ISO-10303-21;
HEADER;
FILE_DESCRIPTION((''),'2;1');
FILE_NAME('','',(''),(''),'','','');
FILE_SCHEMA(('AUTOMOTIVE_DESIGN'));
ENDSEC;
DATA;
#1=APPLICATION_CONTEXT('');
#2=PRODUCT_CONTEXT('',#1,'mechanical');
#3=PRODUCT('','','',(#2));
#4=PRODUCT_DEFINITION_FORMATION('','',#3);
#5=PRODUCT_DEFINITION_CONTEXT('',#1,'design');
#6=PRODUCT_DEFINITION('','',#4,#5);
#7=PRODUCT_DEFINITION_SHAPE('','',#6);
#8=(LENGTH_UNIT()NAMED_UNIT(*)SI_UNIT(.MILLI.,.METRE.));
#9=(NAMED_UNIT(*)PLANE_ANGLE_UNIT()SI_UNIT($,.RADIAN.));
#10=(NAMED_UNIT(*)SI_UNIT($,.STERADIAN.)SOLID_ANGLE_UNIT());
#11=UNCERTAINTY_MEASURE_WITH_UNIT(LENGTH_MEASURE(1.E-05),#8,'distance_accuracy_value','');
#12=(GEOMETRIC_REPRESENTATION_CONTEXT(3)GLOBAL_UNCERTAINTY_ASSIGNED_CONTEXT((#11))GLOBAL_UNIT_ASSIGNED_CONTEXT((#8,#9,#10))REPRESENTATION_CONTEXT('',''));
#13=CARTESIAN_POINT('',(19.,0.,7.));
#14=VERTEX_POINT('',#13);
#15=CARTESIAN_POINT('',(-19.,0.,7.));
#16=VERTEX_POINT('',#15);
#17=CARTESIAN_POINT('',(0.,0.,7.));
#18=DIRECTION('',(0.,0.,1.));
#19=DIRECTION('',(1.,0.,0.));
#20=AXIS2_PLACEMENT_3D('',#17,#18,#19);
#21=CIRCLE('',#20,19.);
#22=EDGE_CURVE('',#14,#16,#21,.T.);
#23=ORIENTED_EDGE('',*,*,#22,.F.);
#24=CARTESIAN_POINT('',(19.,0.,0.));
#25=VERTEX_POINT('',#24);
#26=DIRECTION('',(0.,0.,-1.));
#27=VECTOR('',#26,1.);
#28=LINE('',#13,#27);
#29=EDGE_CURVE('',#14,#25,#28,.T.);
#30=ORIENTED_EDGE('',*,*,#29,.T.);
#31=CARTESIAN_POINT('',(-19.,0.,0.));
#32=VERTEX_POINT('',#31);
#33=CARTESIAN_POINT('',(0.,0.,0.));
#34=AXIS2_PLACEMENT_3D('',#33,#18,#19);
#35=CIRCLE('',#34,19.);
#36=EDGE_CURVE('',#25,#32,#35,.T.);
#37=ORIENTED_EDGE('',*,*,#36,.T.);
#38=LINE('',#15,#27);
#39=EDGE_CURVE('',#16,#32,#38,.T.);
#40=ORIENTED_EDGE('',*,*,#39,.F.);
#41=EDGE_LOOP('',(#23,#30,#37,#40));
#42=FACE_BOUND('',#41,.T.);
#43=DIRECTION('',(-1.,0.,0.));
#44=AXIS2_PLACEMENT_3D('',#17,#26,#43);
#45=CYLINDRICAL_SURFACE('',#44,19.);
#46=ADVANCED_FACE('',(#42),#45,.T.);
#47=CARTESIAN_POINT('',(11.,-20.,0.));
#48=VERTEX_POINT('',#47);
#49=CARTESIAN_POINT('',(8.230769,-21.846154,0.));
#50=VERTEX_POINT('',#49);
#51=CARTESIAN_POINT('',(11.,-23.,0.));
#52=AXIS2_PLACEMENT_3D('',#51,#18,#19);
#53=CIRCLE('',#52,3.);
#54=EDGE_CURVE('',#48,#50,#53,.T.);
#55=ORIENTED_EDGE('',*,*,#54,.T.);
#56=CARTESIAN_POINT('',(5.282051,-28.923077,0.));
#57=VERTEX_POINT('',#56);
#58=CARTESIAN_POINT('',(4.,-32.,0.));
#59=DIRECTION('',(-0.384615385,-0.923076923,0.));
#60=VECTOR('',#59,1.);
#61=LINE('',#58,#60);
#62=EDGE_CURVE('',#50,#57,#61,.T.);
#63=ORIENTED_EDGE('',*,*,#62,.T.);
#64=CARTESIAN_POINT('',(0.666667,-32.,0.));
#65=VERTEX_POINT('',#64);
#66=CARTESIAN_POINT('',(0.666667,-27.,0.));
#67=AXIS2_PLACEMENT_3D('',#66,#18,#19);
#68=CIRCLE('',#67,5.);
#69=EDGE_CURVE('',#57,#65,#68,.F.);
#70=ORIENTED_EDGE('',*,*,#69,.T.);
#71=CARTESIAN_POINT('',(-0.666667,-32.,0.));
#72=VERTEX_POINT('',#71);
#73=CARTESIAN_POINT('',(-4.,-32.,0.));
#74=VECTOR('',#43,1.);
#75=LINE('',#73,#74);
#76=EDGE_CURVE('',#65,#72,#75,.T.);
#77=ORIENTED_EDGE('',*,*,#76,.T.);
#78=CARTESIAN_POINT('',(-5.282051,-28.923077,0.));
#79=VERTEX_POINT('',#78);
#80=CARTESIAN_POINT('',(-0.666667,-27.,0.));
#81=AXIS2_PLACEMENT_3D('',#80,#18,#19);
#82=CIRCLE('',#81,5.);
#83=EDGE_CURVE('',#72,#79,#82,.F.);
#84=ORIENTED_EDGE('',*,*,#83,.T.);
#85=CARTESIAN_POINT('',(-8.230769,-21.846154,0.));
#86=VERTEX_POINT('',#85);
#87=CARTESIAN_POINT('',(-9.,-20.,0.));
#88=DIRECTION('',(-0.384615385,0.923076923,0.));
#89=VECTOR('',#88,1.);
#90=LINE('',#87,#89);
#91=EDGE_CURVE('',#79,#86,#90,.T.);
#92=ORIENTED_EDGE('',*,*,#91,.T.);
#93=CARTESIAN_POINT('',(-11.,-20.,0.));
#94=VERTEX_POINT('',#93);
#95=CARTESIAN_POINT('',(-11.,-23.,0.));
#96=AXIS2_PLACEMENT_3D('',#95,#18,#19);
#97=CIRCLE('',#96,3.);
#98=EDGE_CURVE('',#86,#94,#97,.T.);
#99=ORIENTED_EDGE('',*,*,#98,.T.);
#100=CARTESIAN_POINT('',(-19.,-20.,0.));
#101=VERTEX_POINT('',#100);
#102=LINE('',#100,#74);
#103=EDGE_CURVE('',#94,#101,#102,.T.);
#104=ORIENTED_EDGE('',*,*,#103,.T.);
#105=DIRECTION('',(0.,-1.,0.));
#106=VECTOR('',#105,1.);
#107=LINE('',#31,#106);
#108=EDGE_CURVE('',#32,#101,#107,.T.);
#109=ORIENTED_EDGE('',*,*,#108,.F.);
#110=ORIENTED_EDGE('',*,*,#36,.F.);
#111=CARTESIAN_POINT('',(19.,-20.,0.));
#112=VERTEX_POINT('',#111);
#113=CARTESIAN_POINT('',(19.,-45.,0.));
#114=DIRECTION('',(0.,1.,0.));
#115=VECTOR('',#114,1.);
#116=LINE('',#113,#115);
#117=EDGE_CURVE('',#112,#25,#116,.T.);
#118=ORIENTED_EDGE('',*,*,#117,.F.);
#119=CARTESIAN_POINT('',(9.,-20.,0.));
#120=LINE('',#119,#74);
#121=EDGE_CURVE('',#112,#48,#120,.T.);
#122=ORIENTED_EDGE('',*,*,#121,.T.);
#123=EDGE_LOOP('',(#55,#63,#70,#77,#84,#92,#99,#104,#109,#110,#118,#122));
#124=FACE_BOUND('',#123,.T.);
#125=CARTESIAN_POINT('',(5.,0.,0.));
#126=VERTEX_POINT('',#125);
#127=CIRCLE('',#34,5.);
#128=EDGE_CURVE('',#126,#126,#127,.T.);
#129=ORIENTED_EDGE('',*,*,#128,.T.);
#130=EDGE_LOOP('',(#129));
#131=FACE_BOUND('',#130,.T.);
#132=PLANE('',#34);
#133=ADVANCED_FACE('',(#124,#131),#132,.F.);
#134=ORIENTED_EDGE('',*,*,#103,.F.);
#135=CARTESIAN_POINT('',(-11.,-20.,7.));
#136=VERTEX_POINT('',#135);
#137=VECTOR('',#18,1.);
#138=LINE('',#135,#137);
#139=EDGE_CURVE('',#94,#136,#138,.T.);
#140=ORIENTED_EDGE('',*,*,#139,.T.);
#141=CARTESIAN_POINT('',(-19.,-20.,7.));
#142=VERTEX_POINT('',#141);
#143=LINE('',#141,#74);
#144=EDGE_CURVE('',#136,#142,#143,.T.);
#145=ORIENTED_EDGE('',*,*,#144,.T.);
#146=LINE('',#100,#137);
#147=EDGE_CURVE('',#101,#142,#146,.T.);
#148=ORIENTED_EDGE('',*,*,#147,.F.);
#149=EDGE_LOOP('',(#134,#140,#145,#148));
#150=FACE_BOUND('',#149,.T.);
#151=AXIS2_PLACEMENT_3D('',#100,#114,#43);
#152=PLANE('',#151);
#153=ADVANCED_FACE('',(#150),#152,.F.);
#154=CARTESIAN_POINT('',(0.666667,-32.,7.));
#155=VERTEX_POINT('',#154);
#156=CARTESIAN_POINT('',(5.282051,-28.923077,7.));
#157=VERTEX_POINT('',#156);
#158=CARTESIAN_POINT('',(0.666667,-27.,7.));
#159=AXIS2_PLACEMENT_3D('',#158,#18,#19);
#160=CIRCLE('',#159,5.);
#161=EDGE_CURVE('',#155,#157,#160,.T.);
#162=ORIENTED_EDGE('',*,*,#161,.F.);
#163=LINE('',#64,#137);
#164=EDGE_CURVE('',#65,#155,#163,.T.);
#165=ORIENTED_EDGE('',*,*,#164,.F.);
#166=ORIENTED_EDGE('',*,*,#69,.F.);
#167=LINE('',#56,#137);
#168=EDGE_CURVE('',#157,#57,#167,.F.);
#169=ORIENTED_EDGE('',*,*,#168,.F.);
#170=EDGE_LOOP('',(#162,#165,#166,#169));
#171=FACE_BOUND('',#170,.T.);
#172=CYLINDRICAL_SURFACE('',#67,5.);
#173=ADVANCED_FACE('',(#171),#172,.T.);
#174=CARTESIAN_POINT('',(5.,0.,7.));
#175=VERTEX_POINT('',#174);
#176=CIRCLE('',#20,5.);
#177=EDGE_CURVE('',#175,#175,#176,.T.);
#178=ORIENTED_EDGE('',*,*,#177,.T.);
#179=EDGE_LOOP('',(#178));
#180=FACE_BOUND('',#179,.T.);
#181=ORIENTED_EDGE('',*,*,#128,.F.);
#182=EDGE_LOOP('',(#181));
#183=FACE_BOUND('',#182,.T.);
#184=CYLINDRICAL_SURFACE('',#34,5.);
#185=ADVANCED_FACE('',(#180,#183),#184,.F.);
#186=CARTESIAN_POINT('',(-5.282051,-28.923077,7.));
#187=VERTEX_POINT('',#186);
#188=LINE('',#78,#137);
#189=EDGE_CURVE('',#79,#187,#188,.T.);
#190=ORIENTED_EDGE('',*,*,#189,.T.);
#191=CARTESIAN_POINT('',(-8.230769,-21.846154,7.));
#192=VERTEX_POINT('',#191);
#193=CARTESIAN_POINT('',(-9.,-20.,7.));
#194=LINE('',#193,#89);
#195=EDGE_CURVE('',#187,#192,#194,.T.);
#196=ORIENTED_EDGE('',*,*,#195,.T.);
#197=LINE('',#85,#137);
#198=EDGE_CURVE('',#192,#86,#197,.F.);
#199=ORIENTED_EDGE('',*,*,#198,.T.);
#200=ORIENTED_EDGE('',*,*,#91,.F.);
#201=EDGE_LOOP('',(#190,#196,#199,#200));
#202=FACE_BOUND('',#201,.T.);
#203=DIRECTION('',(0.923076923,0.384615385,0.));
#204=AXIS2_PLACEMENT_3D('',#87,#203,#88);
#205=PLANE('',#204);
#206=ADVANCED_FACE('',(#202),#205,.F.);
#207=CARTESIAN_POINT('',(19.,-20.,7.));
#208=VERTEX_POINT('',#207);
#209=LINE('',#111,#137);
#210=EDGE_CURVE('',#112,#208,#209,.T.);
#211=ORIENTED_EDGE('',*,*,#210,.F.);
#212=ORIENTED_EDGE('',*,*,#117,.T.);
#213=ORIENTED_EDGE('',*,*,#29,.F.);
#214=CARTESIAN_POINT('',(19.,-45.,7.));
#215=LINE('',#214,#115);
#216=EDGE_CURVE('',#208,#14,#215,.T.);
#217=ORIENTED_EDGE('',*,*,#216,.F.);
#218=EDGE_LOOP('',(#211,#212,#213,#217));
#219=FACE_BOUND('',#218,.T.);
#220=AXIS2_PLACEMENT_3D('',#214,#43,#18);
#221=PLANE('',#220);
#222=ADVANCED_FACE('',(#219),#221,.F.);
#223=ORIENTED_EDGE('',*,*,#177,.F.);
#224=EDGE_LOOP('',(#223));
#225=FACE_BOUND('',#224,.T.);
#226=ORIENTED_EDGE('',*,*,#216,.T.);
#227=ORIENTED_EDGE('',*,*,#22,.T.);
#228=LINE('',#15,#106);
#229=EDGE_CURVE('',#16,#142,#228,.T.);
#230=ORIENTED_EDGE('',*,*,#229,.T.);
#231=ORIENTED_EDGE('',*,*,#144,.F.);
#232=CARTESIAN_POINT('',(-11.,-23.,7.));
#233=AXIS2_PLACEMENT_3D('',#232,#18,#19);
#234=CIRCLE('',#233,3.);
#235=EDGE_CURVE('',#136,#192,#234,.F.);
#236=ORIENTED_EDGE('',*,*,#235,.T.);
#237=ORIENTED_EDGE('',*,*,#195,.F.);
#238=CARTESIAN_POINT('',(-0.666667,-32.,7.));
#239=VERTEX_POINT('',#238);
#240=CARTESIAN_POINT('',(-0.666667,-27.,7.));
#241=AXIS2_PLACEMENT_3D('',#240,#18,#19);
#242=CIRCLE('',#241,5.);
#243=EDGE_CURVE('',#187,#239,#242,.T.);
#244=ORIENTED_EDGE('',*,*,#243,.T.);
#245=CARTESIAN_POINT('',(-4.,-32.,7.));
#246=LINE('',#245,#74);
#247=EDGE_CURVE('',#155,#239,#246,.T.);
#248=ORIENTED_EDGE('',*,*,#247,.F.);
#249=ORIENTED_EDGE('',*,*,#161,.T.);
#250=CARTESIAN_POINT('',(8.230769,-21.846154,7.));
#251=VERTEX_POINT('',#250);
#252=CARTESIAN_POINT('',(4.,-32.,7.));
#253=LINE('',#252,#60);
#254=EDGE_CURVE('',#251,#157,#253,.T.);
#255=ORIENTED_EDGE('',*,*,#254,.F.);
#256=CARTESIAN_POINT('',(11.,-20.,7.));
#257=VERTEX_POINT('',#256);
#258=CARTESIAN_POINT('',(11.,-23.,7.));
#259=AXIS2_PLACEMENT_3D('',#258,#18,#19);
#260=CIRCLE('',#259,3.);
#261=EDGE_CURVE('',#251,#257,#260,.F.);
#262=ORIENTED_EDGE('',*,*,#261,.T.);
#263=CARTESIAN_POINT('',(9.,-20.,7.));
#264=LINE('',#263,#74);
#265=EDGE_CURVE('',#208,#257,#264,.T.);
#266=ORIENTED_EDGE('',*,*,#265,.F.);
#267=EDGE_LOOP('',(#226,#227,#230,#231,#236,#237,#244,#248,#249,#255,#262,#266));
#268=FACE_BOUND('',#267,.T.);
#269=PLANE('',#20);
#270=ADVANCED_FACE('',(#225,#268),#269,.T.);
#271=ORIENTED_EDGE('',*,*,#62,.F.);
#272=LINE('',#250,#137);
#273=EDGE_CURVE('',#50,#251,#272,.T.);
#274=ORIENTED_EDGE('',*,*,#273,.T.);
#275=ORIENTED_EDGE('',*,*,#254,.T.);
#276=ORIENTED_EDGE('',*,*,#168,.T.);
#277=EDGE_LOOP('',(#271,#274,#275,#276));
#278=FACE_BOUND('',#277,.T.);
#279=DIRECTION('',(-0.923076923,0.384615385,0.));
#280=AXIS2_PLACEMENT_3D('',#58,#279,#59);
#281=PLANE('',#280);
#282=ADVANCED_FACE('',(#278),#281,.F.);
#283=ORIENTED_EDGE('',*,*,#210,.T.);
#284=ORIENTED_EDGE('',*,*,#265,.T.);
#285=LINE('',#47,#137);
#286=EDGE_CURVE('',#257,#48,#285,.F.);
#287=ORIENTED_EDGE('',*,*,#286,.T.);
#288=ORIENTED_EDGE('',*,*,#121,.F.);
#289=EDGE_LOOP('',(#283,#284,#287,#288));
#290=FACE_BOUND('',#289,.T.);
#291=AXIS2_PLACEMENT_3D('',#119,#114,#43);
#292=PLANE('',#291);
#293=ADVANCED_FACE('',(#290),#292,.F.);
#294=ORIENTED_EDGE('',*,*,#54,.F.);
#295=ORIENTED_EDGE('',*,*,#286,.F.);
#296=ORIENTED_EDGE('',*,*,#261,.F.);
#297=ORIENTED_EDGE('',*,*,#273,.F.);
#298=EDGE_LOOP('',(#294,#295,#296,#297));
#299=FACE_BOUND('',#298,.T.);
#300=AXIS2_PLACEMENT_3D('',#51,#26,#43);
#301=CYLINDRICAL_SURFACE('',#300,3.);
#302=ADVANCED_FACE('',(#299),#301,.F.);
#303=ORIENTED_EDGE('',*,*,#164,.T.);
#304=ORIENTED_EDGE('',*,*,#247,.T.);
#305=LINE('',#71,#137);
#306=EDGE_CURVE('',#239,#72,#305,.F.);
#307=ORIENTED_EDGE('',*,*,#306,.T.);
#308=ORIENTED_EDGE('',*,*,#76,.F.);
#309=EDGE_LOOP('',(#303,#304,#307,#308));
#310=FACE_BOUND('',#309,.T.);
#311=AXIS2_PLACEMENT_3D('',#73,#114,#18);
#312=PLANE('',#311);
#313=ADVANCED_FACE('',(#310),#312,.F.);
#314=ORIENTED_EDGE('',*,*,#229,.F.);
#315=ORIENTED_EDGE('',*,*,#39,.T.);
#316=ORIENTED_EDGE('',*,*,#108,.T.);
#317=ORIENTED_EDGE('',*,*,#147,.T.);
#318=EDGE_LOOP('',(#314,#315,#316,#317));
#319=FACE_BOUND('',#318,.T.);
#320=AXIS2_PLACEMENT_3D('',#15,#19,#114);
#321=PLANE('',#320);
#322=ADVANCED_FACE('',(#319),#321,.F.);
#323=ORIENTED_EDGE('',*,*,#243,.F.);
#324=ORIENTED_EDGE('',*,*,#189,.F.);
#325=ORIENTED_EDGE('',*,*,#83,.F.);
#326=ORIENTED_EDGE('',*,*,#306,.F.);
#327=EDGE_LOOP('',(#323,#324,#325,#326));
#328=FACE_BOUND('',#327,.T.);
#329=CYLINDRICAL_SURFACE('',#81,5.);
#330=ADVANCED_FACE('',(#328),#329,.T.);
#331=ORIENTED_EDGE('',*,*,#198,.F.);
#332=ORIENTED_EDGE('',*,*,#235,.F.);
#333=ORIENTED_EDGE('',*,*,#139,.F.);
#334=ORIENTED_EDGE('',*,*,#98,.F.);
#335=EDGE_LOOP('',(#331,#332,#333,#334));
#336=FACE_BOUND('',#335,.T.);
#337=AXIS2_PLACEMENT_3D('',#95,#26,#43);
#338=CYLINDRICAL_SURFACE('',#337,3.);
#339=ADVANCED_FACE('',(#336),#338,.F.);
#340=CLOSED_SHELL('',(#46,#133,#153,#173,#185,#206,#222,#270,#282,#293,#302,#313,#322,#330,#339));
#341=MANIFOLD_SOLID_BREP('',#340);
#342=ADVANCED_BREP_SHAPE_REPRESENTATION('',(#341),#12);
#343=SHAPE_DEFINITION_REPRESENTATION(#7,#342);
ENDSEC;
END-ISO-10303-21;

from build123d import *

# Parameters (mm, degrees)
SKETCH1_R           = 2.5
SKETCH1_R_2         = 1.5
BOSS_EXTRUDE1_DEPTH = 7
SKETCH2_R           = 5
CUT_EXTRUDE1_DEPTH  = 50.345719166
FILLET1_R           = 5
FILLET2_R           = 3


with BuildPart() as part:
    # Sketch1 → Boss-Extrude1 (new body)
    with BuildSketch(Plane.XY):
        with BuildLine():
            Line((-19, 0), (-19, -32))
            Line((-19, -32), (-14.8, -32))
            Line((-14.8, -32), (-14.8, -45))
            Line((-14.8, -45), (-5, -45))
            Line((-5, -45), (-5, -42))
            Line((-5, -42), (5, -42))
            Line((5, -42), (5, -45))
            Line((5, -45), (19, -45))
            Line((19, -45), (19, 0))
            ThreePointArc((19, 0), (0, 19), (-19, 0))
        make_face()
        Circle(SKETCH1_R, mode=Mode.SUBTRACT)
        with Locations((-14, -27)):
            Circle(SKETCH1_R_2, mode=Mode.SUBTRACT)
        with Locations(Location((14, -27, 0), (0, 0, 180))):
            Circle(SKETCH1_R_2, mode=Mode.SUBTRACT)
    extrude(amount=BOSS_EXTRUDE1_DEPTH)

    # Sketch2 → Cut-Extrude1 (cut, through all)
    with BuildSketch(Plane.XY.offset(7)):
        Circle(SKETCH2_R)
        Polygon((-19, -20), (-9, -20), (-4, -32), (4, -32), (9, -20), (19, -20), (19, -45), (-19, -45), align=None)
    extrude(amount=-CUT_EXTRUDE1_DEPTH, mode=Mode.SUBTRACT)

    # Fillet1
    fillet1_edges = [part.edges().sort_by_distance(p)[0] for p in [
        (-4, -32, 3.5),
        (4, -32, 3.5),
    ]]
    fillet(fillet1_edges, radius=FILLET1_R)

    # Fillet2
    fillet2_edges = [part.edges().sort_by_distance(p)[0] for p in [
        (-9, -20, 3.5),
        (9, -20, 3.5),
    ]]
    fillet(fillet2_edges, radius=FILLET2_R)


solid = part.part
